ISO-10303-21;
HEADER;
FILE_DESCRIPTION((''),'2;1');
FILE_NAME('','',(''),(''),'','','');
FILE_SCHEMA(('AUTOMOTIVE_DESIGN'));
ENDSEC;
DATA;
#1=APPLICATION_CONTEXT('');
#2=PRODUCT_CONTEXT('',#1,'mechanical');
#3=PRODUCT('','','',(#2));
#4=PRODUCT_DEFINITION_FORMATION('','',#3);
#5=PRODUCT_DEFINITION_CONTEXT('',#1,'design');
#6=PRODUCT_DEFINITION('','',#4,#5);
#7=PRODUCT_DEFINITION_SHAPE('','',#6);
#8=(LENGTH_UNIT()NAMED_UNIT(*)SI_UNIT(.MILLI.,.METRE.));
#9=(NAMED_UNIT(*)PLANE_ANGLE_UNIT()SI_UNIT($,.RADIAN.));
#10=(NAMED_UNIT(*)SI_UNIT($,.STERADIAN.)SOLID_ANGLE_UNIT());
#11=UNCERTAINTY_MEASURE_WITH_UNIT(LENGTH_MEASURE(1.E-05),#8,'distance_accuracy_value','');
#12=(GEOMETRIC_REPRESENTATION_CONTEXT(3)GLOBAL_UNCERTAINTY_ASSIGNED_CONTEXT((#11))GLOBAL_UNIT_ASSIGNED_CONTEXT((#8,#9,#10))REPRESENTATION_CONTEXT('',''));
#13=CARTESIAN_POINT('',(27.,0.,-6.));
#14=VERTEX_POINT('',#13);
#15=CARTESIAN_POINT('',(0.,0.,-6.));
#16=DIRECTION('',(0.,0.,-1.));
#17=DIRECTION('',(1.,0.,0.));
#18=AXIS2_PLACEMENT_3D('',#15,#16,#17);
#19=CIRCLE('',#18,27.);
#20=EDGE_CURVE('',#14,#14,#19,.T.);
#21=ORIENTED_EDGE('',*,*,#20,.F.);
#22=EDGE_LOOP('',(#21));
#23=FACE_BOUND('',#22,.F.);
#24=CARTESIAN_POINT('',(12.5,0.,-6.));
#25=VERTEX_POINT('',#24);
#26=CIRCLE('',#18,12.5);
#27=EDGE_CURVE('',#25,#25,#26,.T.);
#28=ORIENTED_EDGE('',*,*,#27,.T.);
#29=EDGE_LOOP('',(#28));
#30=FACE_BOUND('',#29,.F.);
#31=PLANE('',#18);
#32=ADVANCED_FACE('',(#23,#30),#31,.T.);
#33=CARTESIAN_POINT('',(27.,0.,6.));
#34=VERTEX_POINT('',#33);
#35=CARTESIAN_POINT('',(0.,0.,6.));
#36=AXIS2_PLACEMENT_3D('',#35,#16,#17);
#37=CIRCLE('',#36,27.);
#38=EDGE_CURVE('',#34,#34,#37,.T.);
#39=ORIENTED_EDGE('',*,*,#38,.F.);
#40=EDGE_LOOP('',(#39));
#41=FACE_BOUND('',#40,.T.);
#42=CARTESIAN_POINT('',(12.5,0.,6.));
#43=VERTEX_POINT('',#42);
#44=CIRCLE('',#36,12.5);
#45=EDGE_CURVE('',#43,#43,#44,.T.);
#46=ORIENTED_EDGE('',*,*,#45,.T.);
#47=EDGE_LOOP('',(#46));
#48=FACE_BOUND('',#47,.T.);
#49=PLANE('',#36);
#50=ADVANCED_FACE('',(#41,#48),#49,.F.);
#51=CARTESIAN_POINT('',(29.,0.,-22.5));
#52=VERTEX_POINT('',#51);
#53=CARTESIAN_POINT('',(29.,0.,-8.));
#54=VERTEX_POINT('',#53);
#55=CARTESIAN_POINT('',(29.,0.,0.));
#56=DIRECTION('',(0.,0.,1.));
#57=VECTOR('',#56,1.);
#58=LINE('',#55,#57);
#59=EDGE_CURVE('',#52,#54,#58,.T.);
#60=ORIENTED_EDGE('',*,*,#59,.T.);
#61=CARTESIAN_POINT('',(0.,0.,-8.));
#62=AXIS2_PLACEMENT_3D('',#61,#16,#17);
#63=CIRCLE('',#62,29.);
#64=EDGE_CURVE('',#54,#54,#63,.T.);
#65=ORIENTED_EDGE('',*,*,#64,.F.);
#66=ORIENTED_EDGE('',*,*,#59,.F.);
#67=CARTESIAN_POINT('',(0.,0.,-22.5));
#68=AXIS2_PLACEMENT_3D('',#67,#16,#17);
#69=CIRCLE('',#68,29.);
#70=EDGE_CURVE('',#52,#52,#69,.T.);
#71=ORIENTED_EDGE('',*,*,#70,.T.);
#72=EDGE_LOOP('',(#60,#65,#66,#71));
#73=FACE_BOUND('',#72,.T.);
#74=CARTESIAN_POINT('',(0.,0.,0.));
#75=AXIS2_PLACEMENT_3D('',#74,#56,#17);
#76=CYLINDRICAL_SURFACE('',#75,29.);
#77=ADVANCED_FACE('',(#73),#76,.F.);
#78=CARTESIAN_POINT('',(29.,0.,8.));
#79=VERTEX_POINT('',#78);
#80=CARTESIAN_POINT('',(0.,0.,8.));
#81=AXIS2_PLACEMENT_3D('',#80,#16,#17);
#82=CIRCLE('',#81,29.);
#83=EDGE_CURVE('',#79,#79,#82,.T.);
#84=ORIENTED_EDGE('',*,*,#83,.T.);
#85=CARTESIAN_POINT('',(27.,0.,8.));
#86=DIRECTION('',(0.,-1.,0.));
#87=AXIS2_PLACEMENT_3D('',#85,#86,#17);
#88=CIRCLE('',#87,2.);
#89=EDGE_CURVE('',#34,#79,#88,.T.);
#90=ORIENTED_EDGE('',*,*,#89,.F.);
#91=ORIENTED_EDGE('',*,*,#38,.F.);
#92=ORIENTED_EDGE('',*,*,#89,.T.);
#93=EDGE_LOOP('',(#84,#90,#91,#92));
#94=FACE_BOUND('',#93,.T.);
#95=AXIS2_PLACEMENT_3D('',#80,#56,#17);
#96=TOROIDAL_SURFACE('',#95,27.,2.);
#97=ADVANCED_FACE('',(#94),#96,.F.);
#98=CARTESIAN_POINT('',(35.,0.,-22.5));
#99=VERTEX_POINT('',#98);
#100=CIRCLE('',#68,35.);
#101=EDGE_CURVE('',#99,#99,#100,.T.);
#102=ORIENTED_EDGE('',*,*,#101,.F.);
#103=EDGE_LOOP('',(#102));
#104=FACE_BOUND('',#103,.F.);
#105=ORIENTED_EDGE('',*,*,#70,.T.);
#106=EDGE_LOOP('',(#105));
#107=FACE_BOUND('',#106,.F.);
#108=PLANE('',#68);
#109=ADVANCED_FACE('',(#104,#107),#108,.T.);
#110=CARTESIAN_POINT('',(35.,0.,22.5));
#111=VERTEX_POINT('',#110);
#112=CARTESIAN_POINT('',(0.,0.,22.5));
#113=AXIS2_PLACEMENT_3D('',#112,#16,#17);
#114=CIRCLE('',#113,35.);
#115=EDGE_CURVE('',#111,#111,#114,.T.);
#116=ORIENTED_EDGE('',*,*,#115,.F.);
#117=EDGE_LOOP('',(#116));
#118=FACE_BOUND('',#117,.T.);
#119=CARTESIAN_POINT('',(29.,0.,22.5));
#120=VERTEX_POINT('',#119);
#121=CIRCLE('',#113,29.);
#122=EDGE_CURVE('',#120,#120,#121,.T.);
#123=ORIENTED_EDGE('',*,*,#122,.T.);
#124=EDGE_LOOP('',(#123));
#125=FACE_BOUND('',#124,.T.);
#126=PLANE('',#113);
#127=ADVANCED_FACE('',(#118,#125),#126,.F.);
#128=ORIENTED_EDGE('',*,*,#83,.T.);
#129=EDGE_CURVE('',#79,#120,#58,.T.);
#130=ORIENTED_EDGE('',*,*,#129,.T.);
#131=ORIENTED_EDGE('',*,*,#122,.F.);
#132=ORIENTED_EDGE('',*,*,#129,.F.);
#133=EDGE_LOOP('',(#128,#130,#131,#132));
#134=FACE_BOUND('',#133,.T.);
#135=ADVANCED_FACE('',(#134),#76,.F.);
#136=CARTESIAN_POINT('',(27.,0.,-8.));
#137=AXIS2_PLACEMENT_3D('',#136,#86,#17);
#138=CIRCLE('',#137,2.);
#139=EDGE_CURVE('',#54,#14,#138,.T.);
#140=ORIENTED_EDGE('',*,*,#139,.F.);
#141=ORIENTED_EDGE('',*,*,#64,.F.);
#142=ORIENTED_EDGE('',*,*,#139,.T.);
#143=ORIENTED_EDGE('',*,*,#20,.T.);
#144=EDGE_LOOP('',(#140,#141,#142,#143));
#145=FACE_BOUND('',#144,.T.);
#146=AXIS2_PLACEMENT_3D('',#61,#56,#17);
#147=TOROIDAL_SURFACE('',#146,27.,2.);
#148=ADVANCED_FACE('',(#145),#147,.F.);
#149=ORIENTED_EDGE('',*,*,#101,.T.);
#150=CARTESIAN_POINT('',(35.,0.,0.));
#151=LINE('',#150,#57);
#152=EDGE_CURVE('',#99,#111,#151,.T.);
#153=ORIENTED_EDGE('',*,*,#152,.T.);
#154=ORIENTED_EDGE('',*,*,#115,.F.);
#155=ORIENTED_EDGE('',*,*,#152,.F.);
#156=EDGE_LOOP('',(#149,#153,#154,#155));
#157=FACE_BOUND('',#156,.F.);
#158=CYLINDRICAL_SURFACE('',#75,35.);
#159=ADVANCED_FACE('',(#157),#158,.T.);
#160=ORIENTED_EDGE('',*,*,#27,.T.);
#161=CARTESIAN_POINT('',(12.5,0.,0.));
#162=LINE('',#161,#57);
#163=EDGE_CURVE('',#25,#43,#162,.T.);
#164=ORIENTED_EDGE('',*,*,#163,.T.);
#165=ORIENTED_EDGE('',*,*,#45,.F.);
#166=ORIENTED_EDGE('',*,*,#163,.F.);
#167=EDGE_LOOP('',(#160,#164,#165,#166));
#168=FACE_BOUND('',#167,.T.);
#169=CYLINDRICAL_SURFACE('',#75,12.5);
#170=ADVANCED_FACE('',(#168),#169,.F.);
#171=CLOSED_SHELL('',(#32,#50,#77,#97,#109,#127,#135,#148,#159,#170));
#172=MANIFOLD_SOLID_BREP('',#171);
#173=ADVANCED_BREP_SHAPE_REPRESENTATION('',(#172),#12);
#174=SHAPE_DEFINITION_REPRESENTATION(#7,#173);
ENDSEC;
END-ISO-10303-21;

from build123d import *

# Parameters (mm, degrees)
F0_W = 6
F0_H = 45
F2_W = 16.5
F2_H = 12
F4_R = 2


with BuildPart() as f1:
    # F0 (on Front) → F1 (revolve)
    with BuildSketch(Plane.XZ):
        with Locations((32, 0)):
            Rectangle(F0_W, F0_H)
    revolve(axis=Axis((0, 0, 12.074299), (0, 0, -1)))

    # F2 (on Front) → F3 (revolve)
    with BuildSketch(Plane.XZ):
        with Locations((20.75, 0)):
            Rectangle(F2_W, F2_H)
    revolve(axis=Axis((0, 0, 3.15167), (0, 0, -1)))

    # F4
    f4_edges = [f1.edges().sort_by_distance(p)[0] for p in [
        (-29, 0, 6),
        (-29, 0, -6),
    ]]
    fillet(f4_edges, radius=F4_R)


solid = f1.part
